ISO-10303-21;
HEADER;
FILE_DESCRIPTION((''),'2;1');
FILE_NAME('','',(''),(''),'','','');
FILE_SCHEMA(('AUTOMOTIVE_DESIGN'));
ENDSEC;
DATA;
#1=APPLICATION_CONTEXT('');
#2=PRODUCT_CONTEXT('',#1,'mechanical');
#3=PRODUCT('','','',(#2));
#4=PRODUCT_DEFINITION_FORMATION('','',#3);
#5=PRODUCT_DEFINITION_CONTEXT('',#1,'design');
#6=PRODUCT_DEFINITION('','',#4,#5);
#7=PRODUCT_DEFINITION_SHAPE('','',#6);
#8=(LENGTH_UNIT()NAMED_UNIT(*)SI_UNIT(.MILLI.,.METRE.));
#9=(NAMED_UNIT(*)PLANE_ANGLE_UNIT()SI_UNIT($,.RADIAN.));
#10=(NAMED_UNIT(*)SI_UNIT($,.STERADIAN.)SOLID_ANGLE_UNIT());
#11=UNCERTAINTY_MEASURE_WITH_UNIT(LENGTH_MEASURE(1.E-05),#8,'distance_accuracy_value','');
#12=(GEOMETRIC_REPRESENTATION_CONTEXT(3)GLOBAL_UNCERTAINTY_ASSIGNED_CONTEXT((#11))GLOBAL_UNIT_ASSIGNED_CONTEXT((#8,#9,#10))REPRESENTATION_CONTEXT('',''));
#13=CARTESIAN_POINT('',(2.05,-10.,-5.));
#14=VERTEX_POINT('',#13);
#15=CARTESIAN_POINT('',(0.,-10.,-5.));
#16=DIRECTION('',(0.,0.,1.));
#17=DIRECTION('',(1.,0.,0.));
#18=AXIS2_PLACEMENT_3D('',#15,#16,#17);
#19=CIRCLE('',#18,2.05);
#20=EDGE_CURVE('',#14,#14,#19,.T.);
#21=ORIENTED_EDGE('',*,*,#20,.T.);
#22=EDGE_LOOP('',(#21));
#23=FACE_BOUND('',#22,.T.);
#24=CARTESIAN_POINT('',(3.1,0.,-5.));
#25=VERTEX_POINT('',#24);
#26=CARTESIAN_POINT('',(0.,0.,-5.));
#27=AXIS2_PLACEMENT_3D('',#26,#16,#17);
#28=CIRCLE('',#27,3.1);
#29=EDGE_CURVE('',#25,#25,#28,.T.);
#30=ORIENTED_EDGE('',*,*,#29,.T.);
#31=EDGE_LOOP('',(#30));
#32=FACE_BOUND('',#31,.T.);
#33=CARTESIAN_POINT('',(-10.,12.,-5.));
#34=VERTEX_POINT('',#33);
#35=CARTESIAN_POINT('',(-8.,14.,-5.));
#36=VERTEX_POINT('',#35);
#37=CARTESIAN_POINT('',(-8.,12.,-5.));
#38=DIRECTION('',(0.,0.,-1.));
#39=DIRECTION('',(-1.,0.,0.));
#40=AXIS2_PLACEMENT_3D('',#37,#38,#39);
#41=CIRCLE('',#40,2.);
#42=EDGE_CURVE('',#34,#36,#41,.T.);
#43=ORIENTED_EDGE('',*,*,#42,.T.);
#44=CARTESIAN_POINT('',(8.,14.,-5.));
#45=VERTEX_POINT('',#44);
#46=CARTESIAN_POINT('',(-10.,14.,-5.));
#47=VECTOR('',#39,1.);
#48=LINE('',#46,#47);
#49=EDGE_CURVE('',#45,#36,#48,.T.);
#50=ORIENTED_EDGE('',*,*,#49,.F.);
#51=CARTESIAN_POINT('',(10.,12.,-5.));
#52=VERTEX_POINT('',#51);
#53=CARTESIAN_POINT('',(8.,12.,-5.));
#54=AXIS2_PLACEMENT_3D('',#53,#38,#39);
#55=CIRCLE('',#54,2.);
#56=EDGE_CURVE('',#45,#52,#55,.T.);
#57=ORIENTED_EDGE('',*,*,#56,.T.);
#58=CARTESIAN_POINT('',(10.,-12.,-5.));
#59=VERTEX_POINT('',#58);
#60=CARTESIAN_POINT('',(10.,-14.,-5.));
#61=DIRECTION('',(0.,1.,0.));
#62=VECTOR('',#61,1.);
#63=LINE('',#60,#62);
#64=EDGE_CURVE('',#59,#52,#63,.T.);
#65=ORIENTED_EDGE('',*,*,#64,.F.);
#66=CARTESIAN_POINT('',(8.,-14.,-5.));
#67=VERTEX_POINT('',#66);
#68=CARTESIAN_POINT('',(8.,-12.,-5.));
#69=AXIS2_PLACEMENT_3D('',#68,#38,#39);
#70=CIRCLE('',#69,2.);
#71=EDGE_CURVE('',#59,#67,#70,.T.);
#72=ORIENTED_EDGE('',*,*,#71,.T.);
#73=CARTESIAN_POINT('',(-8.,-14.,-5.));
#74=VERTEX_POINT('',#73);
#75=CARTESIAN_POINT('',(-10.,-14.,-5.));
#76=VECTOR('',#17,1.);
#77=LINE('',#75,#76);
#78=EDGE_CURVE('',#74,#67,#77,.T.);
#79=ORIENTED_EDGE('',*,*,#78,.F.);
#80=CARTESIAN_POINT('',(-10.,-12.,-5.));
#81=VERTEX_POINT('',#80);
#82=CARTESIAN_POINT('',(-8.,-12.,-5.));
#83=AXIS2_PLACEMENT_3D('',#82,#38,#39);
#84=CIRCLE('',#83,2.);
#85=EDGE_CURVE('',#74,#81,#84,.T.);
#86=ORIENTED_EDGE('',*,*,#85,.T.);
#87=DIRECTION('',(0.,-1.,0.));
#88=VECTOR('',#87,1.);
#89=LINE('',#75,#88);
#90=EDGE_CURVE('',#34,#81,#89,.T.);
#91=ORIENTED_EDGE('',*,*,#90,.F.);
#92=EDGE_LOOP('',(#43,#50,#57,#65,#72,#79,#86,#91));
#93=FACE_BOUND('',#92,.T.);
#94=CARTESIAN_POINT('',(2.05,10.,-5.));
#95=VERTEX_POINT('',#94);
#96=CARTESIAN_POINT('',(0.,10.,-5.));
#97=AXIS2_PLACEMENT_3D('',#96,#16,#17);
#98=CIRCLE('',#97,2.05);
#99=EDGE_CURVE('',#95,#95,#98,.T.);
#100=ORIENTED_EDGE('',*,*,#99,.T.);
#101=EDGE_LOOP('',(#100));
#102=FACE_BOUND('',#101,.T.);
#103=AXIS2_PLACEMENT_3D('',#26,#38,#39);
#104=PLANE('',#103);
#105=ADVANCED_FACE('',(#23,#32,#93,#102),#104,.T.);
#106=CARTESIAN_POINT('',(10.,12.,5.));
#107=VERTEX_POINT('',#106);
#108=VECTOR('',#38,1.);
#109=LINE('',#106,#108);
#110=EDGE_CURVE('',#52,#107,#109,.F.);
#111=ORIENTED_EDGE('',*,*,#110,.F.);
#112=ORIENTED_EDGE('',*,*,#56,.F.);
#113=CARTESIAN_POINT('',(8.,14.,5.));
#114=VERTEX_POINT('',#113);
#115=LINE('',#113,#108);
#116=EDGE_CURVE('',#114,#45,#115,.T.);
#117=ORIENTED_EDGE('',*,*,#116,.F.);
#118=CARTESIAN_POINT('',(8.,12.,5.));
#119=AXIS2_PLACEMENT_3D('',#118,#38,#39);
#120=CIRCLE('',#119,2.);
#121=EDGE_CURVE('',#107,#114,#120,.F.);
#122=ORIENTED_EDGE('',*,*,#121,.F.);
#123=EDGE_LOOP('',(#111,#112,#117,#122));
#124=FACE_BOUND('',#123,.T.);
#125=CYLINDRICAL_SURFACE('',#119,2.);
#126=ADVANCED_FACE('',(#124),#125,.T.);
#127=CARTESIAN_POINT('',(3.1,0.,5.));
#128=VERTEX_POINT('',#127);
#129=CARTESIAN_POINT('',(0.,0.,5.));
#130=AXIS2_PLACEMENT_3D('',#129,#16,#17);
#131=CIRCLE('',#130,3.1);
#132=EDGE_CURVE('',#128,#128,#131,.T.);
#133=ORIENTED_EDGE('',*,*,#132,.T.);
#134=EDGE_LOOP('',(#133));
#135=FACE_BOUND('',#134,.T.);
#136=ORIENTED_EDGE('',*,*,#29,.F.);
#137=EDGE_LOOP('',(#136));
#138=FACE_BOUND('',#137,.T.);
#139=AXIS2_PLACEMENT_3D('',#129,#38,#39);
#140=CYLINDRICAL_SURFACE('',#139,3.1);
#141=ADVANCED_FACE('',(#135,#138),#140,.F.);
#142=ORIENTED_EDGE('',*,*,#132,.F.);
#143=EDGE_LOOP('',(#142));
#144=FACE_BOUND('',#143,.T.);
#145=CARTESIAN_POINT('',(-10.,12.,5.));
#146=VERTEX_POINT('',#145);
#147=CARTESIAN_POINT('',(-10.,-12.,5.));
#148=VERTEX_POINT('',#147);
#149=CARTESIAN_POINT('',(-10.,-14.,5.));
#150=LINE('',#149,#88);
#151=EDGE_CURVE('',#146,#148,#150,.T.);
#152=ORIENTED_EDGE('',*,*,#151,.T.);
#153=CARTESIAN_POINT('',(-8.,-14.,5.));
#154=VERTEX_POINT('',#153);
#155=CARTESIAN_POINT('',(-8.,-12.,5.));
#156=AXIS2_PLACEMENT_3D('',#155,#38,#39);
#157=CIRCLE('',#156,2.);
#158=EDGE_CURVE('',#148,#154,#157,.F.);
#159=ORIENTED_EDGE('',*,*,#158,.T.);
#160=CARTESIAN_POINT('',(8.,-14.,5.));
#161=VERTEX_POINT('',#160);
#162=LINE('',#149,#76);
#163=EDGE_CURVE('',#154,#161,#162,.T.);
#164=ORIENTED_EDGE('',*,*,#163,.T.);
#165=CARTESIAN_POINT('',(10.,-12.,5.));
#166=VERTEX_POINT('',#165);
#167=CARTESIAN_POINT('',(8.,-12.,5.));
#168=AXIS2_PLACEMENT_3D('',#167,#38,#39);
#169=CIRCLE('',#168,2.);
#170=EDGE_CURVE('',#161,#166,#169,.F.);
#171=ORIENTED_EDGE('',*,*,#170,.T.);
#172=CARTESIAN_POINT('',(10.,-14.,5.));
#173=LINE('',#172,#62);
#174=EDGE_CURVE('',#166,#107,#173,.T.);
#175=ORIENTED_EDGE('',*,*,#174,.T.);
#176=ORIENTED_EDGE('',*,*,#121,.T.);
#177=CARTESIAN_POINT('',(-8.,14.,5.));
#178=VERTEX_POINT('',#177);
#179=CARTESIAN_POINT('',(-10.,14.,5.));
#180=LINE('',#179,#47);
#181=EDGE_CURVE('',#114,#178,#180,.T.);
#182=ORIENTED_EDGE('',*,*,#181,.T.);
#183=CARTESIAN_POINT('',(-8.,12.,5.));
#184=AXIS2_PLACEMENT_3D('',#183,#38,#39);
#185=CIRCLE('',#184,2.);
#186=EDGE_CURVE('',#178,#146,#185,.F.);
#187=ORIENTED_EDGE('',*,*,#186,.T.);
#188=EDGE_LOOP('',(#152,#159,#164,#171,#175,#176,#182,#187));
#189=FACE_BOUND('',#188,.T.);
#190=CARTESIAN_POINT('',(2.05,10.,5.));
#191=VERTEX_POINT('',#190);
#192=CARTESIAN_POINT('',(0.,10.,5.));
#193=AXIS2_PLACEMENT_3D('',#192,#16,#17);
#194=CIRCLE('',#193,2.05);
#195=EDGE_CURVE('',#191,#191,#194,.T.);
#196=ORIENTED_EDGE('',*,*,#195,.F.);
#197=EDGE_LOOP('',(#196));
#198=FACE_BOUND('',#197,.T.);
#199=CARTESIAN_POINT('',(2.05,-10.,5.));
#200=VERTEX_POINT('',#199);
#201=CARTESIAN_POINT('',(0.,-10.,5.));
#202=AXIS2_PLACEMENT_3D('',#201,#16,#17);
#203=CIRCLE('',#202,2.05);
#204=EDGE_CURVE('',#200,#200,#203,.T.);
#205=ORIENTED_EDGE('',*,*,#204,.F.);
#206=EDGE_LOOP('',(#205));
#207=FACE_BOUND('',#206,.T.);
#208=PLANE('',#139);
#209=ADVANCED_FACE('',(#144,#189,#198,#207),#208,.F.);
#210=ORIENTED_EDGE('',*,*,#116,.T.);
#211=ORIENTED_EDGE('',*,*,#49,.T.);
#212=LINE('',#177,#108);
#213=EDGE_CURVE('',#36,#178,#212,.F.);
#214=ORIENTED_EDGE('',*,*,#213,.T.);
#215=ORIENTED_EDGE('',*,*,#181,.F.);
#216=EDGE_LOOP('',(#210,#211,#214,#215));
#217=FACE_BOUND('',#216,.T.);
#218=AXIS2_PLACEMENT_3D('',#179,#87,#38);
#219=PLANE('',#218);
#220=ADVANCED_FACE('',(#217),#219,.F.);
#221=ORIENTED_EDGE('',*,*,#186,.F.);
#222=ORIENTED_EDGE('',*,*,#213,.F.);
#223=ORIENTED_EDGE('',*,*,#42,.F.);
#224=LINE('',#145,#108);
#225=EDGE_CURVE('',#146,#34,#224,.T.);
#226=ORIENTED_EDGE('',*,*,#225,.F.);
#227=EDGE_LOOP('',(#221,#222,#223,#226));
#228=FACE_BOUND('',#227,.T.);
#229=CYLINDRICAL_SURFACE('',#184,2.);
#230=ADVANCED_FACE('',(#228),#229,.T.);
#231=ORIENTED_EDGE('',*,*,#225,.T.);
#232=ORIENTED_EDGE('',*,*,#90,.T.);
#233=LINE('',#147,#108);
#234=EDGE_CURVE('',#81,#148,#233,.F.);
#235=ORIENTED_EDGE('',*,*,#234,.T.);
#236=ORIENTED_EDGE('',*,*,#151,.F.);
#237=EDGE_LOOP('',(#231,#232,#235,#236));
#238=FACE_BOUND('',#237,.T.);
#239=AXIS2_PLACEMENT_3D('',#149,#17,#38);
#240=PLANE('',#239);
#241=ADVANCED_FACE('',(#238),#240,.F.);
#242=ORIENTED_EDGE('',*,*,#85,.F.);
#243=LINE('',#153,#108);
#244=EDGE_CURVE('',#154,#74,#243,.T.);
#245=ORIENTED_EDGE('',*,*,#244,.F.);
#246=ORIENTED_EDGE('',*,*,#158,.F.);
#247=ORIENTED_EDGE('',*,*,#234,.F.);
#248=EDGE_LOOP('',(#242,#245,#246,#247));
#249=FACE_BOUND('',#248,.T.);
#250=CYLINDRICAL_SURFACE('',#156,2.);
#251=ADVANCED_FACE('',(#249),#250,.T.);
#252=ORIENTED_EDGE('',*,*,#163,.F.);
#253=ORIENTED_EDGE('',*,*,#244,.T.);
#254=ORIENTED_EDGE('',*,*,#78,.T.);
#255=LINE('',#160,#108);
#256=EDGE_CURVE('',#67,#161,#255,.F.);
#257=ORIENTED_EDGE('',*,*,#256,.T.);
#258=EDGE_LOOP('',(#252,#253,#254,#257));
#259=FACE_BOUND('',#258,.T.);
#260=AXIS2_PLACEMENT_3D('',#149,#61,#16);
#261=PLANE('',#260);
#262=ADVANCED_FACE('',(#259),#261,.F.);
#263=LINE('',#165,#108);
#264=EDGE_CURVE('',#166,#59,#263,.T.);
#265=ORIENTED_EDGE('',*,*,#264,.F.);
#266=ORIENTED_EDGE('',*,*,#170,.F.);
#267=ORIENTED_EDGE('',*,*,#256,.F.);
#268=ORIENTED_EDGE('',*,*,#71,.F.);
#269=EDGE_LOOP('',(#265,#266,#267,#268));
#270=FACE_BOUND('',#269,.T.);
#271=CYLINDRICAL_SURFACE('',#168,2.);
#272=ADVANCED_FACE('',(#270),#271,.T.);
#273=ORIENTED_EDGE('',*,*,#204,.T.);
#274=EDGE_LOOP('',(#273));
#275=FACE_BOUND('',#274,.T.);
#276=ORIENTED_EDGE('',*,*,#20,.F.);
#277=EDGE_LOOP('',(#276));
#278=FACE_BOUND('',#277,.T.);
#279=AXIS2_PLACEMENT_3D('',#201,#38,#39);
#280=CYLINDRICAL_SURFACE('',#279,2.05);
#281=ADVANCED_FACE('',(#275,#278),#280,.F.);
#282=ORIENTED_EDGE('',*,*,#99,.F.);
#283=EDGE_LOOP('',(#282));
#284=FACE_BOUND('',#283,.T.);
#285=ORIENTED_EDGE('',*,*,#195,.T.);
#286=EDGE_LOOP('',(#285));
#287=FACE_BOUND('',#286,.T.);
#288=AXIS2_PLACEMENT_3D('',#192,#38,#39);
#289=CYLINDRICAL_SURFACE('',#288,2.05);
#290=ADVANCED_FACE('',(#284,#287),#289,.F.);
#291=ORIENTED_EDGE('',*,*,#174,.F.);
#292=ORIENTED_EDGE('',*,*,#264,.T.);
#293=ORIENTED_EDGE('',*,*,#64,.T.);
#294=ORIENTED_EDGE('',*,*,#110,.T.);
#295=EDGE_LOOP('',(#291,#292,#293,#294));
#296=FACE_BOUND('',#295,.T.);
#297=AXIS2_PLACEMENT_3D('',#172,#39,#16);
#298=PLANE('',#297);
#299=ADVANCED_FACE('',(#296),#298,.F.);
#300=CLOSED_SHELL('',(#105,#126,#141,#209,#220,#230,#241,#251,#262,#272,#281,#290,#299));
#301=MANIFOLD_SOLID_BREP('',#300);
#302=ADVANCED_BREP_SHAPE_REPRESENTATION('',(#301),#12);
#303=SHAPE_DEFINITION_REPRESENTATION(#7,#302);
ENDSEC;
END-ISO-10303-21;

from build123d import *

# Parameters (mm, degrees)
SKETCH_1_W      = 20
SKETCH_1_H      = 28
SKETCH_1_R      = 2.05
SKETCH_1_R_2    = 3.1
EXTRUDE_2_DEPTH = 5
FILLET_1_R      = 2


with BuildPart() as part:
    # 草图1 → 凸台-拉伸2 (new, symmetric)
    with BuildSketch(Plane.XY):
        Rectangle(SKETCH_1_W, SKETCH_1_H)
        with Locations((0, 10)):
            Circle(SKETCH_1_R, mode=Mode.SUBTRACT)
        with Locations((0, -10)):
            Circle(SKETCH_1_R, mode=Mode.SUBTRACT)
        Circle(SKETCH_1_R_2, mode=Mode.SUBTRACT)
    extrude(amount=EXTRUDE_2_DEPTH, both=True)

    # 圆角1
    fillet_1_edges = [part.edges().sort_by_distance(p)[0] for p in [
        (10, -14, 0),
        (-10, -14, 0),
        (-10, 14, 0),
        (10, 14, 0),
    ]]
    fillet(fillet_1_edges, radius=FILLET_1_R)


solid = part.part
